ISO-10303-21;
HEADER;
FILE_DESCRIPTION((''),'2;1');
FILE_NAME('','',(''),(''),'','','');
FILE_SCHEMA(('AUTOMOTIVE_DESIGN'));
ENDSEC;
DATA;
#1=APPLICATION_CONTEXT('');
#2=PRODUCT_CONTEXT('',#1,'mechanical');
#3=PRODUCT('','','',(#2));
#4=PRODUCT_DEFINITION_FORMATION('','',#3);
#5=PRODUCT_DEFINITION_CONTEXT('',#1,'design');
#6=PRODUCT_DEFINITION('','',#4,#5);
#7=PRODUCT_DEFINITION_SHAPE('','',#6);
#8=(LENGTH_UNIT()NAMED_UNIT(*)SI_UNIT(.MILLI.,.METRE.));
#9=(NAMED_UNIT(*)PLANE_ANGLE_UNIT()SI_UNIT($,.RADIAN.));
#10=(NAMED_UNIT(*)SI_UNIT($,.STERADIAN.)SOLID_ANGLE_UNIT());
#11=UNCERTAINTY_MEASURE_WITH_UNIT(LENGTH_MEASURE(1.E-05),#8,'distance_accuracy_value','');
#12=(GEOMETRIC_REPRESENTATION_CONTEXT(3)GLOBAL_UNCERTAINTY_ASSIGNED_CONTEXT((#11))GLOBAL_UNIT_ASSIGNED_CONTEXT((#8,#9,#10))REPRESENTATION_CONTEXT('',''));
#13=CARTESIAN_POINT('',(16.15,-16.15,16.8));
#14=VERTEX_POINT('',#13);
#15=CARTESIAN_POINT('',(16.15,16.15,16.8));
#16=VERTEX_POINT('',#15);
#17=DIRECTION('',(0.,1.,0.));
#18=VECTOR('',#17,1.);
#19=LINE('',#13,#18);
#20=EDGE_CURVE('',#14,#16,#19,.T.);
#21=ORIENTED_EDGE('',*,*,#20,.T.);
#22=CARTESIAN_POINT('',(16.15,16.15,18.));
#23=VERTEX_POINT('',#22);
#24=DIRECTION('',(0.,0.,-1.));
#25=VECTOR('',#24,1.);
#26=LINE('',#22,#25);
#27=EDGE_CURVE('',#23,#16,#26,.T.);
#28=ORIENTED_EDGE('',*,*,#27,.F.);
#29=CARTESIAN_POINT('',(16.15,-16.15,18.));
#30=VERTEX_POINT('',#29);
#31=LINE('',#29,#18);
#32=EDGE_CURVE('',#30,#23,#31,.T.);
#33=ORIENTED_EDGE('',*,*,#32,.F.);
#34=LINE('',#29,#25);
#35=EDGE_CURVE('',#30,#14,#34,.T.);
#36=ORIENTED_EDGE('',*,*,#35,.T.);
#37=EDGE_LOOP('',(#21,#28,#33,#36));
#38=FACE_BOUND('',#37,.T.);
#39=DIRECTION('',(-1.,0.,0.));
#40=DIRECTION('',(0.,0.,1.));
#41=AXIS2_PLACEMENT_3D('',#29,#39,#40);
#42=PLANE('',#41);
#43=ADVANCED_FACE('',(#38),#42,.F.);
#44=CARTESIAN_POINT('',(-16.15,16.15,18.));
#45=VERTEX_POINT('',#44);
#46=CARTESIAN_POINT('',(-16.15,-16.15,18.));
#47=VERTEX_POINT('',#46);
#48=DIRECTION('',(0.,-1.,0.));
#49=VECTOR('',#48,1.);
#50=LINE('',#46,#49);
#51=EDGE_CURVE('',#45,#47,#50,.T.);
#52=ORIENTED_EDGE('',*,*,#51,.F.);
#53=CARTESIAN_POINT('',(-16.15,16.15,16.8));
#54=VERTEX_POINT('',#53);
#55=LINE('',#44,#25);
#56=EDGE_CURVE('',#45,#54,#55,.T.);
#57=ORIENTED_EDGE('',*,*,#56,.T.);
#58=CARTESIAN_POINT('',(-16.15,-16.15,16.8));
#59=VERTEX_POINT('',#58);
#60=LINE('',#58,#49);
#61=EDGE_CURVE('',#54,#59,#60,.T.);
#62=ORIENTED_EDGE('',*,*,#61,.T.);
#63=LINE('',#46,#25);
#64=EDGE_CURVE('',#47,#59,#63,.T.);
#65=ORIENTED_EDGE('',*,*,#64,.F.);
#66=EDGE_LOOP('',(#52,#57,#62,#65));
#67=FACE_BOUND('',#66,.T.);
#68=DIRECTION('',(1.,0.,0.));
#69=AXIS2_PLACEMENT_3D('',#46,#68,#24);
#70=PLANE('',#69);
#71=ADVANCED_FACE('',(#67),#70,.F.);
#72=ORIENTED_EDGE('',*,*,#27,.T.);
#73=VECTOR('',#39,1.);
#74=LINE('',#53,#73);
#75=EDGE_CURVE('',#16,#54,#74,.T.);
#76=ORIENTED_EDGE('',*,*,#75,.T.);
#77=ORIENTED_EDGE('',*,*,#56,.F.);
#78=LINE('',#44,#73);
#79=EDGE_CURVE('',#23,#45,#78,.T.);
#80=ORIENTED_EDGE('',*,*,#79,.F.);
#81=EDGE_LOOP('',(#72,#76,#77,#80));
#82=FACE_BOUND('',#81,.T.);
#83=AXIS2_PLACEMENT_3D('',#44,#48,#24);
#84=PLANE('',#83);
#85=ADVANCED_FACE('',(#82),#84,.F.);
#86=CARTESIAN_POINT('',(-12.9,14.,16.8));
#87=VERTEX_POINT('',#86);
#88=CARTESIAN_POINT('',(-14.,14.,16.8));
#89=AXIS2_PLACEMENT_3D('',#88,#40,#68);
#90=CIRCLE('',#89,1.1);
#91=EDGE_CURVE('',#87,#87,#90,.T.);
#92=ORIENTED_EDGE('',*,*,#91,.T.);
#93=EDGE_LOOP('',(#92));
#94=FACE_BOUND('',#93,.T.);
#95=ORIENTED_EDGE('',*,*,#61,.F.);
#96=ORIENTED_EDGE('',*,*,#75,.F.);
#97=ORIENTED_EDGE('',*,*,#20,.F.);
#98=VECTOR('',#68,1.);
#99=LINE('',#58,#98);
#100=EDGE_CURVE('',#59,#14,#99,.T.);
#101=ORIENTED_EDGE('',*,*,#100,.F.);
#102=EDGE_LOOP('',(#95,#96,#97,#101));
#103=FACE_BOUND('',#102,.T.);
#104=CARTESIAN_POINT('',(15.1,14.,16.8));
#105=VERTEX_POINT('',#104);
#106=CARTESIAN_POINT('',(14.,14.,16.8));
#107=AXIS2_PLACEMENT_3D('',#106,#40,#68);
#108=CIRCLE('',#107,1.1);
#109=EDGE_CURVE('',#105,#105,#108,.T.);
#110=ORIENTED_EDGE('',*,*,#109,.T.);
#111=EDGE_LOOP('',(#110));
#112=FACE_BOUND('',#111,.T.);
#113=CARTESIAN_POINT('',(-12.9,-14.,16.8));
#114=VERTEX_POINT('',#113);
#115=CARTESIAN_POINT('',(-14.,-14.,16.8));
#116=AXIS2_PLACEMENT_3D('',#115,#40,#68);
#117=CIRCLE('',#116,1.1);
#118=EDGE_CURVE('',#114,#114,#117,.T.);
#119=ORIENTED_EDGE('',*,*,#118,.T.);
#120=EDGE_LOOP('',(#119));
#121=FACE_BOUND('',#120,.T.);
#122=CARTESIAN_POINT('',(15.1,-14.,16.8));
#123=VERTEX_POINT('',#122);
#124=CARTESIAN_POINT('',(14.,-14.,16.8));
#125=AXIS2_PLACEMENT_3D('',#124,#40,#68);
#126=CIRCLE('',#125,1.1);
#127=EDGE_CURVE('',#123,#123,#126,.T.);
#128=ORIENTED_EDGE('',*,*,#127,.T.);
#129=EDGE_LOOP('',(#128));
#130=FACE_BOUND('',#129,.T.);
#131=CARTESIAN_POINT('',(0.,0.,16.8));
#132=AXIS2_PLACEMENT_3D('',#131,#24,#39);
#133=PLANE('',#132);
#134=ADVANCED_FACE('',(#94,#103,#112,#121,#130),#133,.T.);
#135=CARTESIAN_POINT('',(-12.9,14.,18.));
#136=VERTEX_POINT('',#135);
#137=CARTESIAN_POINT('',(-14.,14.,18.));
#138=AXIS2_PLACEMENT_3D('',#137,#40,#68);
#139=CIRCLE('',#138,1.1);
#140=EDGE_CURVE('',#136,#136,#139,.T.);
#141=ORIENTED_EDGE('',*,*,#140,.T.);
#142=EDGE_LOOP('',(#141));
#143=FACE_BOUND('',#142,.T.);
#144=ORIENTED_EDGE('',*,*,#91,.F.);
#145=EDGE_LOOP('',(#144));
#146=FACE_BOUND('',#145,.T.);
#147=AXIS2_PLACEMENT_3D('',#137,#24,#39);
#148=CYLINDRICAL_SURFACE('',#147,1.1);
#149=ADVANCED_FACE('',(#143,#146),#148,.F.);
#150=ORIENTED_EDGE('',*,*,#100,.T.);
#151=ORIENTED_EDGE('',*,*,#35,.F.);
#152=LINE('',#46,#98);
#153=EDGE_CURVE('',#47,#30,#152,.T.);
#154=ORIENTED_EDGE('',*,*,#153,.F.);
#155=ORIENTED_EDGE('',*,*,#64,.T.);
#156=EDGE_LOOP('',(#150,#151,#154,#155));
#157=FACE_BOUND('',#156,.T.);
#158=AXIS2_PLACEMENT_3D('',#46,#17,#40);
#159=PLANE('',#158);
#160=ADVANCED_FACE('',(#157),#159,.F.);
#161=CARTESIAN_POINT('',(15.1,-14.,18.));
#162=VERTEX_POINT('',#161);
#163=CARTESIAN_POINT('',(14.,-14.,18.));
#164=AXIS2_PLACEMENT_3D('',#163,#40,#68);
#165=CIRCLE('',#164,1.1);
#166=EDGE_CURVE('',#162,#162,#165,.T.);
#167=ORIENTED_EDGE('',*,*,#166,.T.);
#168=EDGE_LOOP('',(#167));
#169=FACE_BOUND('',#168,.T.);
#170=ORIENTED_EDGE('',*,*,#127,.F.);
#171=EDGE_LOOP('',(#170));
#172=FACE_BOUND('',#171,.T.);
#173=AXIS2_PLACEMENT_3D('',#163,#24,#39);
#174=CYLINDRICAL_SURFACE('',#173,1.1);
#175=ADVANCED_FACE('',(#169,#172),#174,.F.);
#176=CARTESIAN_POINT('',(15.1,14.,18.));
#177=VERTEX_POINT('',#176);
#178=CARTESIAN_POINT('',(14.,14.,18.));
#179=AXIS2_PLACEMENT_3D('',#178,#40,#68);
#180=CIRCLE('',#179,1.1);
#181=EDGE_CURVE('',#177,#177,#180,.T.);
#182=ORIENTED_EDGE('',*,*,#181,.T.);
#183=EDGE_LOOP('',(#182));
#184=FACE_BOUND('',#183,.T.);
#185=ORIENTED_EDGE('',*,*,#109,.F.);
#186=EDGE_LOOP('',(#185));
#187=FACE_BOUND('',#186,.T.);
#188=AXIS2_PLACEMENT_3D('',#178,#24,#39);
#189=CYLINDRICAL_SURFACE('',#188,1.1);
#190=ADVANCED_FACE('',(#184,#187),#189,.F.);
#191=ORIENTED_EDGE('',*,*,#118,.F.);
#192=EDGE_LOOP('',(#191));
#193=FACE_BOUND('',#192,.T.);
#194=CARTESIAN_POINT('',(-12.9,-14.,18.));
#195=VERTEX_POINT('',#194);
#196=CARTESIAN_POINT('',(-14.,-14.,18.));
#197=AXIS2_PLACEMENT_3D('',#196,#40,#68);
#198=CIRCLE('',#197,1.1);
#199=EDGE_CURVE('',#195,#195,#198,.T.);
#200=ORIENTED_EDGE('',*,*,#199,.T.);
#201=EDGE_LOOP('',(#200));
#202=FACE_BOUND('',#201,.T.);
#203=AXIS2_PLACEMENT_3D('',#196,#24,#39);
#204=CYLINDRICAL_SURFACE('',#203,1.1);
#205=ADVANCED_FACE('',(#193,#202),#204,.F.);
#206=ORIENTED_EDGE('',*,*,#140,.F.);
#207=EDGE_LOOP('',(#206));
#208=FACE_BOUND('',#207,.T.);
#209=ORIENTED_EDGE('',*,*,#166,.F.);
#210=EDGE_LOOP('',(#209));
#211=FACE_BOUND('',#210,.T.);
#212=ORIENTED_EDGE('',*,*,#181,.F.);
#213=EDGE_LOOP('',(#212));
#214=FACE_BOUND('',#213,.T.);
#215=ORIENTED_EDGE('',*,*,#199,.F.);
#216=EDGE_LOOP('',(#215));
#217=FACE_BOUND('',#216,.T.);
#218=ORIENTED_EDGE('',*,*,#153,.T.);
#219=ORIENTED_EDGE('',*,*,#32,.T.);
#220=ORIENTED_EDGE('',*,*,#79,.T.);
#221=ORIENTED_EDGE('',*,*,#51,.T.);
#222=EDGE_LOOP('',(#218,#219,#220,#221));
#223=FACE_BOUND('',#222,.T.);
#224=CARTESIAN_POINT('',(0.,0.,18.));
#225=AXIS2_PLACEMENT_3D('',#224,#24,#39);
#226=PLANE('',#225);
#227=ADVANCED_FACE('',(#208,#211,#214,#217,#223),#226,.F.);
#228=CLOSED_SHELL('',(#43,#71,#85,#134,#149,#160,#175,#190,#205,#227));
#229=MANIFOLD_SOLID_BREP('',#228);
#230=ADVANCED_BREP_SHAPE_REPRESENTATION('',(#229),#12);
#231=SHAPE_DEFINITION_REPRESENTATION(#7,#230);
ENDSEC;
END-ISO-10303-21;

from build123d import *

# Parameters (mm, degrees)
PCB_1_2_START = 16.8
SKETCH_1_W    = 32.3
SKETCH_1_H    = 32.3
PCB_1_2_DEPTH = 1.2
PCB_START     = 16.8
SKETCH_2_R    = 1.1
PCB_DEPTH     = 1.2


with BuildPart() as part:
    # 草图1 → PCB装配包络_厚1.2 (new body)
    with BuildSketch(Plane.XY.offset(PCB_1_2_START)):
        Rectangle(SKETCH_1_W, SKETCH_1_H)
    extrude(amount=PCB_1_2_DEPTH)

    # 草图2 → 原厂PCB孔径_非打印放孔 (cut)
    with BuildSketch(Plane.XY.offset(PCB_START)):
        with Locations((-14, -14)):
            Circle(SKETCH_2_R)
        with Locations((-14, 14)):
            Circle(SKETCH_2_R)
        with Locations((14, -14)):
            Circle(SKETCH_2_R)
        with Locations((14, 14)):
            Circle(SKETCH_2_R)
    extrude(amount=PCB_DEPTH, mode=Mode.SUBTRACT)


solid = part.part
